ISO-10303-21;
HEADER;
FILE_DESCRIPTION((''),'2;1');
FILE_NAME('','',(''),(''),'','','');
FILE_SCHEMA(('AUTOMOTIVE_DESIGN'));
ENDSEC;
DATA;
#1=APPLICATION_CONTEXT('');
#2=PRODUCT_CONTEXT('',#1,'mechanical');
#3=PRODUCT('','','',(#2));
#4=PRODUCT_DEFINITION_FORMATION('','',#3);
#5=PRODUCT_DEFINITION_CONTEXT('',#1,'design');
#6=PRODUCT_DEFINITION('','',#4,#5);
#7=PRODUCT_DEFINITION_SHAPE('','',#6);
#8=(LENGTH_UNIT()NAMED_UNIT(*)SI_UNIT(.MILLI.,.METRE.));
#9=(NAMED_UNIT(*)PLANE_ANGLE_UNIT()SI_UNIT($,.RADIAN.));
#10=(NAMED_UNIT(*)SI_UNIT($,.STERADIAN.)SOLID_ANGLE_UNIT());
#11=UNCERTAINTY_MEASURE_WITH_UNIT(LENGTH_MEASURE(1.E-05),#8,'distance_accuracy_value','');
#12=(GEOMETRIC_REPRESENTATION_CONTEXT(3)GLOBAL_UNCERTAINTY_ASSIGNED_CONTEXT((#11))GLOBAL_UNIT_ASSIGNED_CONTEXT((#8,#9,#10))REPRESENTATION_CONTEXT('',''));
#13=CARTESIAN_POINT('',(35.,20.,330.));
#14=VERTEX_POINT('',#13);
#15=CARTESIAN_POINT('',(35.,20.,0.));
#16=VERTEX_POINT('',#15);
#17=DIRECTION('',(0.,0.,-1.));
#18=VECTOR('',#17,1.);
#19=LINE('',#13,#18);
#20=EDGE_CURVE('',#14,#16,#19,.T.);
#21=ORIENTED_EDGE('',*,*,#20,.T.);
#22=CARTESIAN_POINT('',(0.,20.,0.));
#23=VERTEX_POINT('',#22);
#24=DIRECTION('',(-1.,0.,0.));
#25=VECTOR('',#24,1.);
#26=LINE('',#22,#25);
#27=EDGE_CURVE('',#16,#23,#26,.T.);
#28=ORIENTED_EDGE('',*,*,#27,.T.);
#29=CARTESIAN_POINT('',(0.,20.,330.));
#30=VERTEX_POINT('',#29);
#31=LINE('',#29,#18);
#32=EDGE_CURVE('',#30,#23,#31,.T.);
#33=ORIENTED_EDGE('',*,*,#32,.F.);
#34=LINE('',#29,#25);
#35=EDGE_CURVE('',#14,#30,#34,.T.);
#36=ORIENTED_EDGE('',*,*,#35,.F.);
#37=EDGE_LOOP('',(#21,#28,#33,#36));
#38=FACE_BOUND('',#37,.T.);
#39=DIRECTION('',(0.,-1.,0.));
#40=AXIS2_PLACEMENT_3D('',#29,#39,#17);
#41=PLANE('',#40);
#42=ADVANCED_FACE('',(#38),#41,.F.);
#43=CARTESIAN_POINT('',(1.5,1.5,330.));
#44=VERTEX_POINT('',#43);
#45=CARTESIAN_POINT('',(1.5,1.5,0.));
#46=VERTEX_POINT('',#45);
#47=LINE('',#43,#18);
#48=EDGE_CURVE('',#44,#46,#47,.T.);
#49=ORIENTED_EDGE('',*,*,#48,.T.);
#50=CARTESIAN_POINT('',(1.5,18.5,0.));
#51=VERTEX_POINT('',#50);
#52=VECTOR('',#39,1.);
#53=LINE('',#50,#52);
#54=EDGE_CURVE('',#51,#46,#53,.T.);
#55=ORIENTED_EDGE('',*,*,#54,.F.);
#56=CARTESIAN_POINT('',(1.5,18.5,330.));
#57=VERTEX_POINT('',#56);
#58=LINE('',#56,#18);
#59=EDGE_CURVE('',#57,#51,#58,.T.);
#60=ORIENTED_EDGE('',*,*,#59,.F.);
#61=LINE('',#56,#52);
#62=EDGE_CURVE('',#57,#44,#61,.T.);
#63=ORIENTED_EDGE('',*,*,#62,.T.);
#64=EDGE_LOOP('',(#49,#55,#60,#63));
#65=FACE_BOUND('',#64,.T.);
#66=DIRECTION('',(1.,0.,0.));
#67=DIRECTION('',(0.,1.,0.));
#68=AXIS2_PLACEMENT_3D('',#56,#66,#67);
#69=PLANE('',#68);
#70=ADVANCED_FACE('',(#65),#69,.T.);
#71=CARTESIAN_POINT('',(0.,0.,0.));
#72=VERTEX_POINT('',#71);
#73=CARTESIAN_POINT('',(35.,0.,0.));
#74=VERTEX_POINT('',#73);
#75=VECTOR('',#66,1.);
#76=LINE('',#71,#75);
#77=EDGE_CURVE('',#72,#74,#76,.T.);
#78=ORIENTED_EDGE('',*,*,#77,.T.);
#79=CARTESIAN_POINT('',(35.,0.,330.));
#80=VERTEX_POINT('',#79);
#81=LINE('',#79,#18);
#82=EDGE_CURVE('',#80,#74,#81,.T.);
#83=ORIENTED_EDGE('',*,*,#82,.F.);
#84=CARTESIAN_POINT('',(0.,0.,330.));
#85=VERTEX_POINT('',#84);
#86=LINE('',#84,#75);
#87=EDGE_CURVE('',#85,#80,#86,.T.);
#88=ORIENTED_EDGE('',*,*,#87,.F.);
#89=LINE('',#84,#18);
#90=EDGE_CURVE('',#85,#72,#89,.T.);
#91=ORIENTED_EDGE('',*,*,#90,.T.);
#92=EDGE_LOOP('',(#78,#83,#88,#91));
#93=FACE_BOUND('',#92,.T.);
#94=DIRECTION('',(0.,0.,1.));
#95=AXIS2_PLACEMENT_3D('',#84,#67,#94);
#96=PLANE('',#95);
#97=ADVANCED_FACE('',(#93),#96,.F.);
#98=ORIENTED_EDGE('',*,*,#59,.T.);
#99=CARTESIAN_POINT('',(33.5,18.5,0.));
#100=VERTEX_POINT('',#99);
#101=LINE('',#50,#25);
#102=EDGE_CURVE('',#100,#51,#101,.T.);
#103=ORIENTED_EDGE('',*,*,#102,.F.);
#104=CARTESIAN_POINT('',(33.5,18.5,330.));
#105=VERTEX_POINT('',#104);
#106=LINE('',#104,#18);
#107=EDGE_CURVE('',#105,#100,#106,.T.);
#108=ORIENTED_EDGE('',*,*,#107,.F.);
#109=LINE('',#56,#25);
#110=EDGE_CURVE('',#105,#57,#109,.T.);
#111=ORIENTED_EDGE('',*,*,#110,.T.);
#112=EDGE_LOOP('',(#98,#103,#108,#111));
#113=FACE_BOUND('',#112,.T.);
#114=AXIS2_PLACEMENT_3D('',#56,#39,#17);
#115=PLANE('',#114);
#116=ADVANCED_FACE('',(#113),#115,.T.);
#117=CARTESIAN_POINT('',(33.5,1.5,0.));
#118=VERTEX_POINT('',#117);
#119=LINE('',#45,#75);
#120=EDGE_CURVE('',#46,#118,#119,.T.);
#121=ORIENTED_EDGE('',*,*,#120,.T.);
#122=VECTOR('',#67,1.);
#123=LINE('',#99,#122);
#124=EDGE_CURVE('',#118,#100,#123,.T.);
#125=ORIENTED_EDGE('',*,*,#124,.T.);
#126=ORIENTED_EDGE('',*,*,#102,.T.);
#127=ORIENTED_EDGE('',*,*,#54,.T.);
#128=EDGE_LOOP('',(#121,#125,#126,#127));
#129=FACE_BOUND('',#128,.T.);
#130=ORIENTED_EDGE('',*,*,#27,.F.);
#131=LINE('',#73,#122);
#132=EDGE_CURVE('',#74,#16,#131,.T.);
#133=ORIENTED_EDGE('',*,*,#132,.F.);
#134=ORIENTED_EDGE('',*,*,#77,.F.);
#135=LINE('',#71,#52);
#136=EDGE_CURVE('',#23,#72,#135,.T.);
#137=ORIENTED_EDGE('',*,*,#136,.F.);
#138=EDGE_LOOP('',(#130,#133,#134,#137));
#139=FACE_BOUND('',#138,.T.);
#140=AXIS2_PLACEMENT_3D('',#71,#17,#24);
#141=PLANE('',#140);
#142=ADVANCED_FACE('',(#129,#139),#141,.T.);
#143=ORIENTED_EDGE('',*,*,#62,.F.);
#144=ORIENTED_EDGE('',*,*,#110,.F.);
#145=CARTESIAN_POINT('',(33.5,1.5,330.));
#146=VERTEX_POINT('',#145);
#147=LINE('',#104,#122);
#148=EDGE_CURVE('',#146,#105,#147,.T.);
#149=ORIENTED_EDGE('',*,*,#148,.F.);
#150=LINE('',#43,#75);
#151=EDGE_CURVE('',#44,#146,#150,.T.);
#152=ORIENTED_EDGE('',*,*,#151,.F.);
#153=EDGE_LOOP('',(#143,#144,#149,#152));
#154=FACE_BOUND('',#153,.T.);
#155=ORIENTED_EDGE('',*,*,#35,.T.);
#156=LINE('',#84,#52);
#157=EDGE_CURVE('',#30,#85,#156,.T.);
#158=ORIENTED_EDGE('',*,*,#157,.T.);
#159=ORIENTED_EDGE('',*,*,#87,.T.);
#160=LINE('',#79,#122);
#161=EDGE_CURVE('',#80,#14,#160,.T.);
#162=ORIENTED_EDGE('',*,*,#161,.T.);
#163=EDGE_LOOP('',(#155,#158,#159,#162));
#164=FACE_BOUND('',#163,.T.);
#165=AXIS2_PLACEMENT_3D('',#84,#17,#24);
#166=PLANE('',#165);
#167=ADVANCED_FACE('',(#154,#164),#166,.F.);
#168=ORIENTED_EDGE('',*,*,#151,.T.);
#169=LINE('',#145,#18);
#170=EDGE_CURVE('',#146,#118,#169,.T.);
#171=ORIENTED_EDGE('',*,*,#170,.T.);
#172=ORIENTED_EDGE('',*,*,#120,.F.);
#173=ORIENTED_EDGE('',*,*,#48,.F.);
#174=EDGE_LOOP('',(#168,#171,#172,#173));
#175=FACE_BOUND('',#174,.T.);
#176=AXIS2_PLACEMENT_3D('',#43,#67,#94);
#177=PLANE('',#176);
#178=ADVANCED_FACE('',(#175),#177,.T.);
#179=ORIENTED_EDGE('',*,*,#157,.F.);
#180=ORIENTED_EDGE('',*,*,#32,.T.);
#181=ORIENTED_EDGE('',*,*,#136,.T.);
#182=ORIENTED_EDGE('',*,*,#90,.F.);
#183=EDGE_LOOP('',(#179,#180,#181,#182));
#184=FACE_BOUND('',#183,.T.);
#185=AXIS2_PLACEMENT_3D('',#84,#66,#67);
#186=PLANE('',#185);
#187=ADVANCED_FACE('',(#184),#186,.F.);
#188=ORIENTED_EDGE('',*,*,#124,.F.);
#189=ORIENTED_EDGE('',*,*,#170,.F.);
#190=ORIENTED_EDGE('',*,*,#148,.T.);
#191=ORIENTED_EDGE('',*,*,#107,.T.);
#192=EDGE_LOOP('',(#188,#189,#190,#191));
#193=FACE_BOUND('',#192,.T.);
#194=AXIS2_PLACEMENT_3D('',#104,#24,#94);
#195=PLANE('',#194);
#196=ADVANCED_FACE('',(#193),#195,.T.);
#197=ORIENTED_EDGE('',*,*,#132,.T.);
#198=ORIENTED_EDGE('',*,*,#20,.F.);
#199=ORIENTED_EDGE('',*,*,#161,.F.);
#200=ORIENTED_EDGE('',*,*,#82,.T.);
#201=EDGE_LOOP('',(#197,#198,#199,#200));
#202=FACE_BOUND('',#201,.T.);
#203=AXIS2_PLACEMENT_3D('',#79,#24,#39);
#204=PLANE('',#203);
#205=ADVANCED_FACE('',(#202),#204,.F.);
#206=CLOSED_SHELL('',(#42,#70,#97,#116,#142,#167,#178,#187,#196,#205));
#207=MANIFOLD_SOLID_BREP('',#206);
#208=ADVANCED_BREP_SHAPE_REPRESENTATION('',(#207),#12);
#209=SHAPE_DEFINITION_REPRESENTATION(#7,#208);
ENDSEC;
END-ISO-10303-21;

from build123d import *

# Parameters (mm, degrees)
ESQUISSE1_W        = 35
ESQUISSE1_H        = 20
ESQUISSE1_W_2      = 32
ESQUISSE1_H_2      = 17
BOSS_EXTRU_1_DEPTH = 330


with BuildPart() as part:
    # Esquisse1 → Boss.-Extru.1 (new body)
    with BuildSketch(Plane.XY):
        with Locations((17.5, 10)):
            Rectangle(ESQUISSE1_W, ESQUISSE1_H)
        with Locations((17.5, 10)):
            Rectangle(ESQUISSE1_W_2, ESQUISSE1_H_2, mode=Mode.SUBTRACT)
    extrude(amount=BOSS_EXTRU_1_DEPTH)


solid = part.part
